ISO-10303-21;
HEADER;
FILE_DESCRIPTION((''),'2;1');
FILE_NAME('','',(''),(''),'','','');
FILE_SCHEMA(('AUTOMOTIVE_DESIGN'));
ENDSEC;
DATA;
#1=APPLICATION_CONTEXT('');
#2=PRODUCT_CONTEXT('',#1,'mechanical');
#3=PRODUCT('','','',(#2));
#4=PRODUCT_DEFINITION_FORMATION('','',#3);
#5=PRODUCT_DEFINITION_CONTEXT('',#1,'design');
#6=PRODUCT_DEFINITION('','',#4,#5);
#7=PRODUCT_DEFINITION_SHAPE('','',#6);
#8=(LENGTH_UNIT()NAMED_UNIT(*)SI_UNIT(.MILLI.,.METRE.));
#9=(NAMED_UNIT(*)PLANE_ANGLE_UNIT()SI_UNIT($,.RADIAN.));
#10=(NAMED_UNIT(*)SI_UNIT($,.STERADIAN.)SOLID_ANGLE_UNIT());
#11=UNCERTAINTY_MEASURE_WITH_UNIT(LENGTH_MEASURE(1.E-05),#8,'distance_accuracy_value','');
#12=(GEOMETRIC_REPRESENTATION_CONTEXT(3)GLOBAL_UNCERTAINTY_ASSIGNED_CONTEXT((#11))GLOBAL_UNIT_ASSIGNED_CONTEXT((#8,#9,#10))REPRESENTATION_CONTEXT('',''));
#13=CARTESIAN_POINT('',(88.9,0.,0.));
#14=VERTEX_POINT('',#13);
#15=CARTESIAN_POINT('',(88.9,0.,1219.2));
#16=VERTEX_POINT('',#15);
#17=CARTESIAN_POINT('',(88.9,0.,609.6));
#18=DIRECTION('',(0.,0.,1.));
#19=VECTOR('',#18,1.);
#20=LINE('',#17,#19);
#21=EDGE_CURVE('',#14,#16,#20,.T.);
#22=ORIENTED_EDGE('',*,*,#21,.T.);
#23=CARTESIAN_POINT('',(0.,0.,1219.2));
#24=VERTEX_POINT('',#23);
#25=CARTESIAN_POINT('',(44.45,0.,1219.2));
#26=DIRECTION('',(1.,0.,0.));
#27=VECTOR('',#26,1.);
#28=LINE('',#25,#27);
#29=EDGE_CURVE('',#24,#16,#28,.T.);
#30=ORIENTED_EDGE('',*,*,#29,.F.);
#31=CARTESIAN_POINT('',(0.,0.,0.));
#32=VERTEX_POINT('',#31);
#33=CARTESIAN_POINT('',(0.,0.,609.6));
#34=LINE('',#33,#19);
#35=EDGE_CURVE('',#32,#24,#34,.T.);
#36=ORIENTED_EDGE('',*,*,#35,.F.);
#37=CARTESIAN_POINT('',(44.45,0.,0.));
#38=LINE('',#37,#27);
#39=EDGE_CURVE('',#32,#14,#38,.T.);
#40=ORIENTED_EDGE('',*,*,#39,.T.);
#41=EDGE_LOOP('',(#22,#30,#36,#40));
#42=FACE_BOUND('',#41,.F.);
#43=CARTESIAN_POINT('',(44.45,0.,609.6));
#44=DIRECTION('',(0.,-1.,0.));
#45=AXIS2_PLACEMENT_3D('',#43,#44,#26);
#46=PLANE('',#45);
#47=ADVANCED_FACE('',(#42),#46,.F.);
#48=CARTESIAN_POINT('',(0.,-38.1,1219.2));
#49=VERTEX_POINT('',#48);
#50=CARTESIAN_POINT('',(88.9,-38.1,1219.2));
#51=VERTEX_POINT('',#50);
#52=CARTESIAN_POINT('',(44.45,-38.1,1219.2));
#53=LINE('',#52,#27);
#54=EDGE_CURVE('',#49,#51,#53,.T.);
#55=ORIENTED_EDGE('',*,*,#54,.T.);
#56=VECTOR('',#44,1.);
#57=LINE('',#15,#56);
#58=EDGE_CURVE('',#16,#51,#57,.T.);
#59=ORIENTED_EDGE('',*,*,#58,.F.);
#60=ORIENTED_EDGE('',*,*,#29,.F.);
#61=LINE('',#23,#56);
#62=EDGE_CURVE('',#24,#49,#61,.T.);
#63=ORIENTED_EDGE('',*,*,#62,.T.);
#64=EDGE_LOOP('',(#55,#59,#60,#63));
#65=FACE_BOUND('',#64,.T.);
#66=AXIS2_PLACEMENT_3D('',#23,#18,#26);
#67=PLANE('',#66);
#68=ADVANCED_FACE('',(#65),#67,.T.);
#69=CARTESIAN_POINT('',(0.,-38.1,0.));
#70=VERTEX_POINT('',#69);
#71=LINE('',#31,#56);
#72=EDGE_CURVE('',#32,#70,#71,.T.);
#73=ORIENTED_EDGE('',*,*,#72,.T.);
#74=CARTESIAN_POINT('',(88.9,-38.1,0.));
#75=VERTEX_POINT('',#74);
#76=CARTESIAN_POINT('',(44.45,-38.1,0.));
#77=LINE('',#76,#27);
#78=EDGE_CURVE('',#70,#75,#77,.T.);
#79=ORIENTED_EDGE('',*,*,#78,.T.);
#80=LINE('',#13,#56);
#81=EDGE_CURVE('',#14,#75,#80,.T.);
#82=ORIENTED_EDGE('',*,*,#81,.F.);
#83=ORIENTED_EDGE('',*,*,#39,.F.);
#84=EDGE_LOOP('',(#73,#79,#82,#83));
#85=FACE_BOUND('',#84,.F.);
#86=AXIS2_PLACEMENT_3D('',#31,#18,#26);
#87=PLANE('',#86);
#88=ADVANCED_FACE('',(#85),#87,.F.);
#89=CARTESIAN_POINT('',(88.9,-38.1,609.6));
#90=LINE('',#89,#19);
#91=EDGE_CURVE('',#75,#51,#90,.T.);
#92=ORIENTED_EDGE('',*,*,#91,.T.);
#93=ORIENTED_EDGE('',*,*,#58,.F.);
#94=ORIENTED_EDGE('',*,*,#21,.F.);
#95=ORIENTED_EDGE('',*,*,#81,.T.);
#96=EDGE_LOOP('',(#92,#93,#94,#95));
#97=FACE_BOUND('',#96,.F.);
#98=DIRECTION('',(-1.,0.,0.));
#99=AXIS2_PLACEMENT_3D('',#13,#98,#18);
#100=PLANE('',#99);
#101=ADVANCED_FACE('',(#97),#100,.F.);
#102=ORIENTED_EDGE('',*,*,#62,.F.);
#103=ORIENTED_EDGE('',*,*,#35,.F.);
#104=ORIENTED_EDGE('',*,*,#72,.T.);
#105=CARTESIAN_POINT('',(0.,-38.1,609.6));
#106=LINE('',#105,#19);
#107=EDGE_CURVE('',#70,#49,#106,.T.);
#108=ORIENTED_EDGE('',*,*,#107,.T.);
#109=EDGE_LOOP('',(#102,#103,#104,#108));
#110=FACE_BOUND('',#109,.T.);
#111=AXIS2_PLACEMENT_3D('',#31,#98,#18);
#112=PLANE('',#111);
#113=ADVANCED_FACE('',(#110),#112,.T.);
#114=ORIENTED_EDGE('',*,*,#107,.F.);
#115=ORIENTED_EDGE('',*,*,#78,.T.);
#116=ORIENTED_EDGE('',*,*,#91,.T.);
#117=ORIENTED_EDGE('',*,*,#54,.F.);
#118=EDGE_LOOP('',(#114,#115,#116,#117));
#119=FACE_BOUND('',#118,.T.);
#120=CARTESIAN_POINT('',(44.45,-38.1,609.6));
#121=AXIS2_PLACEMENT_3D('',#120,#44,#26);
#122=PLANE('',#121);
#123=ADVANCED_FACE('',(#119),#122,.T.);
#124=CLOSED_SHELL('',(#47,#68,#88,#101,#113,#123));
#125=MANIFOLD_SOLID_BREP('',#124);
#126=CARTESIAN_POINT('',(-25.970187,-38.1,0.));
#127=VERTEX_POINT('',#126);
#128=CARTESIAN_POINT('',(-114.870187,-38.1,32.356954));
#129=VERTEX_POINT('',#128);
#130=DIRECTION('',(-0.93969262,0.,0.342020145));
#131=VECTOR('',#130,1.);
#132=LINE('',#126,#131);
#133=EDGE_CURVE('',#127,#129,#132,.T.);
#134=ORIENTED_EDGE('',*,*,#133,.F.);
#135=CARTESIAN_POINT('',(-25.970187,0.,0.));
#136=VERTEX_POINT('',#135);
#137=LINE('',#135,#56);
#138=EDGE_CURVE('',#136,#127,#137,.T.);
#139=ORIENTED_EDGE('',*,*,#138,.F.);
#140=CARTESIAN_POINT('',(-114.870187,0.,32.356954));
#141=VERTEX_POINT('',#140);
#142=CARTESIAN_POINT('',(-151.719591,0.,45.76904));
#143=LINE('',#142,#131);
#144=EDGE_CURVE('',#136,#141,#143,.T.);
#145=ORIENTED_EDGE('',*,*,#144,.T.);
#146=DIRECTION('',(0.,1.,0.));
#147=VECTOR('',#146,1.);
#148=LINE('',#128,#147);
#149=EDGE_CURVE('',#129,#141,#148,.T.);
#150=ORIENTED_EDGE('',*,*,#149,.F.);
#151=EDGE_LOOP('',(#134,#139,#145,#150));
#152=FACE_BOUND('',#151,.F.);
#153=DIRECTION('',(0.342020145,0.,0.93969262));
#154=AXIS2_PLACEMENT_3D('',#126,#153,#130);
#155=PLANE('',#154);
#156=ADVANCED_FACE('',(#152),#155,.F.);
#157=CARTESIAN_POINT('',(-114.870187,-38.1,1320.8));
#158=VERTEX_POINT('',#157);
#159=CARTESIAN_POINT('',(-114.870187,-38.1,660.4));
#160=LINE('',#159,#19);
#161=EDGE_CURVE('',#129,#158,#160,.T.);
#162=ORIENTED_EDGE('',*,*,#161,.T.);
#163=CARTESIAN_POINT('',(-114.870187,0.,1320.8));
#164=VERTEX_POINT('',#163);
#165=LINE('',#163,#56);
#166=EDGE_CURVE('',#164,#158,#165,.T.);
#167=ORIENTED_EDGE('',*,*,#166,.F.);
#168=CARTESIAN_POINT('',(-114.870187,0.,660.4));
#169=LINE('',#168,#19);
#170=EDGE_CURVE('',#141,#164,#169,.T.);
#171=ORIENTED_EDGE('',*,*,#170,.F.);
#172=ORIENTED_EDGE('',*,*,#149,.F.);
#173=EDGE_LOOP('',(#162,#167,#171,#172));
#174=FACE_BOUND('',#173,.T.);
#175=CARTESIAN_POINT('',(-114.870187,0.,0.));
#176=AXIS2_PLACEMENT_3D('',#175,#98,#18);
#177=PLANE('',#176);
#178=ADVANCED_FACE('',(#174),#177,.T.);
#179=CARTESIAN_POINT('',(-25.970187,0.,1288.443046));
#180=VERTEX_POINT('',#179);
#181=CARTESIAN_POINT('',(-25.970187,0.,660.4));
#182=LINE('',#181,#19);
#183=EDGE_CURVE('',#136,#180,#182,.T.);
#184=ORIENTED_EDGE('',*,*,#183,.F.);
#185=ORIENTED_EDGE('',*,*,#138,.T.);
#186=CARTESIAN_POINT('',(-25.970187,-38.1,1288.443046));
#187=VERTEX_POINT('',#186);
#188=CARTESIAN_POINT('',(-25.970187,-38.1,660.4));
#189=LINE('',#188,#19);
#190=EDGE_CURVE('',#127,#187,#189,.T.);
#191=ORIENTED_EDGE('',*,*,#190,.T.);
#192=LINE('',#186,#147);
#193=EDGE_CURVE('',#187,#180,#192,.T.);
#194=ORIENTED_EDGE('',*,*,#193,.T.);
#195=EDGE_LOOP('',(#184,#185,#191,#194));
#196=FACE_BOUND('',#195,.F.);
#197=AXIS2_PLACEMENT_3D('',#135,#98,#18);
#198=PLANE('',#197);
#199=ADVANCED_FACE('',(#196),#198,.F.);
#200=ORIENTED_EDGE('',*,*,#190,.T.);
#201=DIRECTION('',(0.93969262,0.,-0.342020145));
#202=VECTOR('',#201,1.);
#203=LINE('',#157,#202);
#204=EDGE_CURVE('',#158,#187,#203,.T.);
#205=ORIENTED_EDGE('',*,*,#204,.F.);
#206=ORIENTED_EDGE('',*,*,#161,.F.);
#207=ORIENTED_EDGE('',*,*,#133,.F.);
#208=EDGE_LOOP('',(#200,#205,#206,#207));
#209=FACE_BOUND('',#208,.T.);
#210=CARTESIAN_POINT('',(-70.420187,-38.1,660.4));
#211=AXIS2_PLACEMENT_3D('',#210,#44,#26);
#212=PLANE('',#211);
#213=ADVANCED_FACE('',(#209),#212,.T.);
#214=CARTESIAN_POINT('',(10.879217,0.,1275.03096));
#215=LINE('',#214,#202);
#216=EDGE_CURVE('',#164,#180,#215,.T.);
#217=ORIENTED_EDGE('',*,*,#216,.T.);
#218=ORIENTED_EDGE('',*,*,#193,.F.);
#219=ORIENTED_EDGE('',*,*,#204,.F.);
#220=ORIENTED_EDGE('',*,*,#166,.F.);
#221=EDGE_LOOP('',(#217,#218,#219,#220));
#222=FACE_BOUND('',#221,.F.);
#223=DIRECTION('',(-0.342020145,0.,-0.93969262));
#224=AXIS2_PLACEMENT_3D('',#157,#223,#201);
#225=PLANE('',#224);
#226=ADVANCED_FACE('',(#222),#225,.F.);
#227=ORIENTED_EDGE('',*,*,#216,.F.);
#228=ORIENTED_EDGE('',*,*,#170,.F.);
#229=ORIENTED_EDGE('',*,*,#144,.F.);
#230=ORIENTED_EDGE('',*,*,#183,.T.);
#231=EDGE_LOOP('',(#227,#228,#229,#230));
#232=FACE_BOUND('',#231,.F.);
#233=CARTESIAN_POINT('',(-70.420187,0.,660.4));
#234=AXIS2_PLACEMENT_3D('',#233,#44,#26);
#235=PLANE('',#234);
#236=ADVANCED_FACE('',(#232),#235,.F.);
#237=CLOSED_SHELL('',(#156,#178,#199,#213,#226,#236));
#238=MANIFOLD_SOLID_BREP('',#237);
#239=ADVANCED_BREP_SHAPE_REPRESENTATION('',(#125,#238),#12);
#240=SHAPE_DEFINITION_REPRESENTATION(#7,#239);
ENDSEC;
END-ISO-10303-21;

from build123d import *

# Parameters (mm, degrees)
F0_W     = 88.9
F0_H     = 1219.2
F1_DEPTH = 38.1
F2_W     = 88.9
F2_H     = 1320.8
F3_DEPTH = 38.1
F5_DEPTH = 38.101


with BuildPart() as f1:
    # F0 (on Front) → F1 (new body)
    with BuildSketch(Plane.XZ):
        with Locations((44.45, 609.6)):
            Rectangle(F0_W, F0_H)
    extrude(amount=F1_DEPTH)


with BuildPart() as f3:
    # F2 (on Front) → F3 (new body)
    with BuildSketch(Plane.XZ):
        with Locations((-70.420187, 660.4)):
            Rectangle(F2_W, F2_H)
    extrude(amount=F3_DEPTH)

    # F4 (on face) → F5 (cut, through all)
    with BuildSketch(Plane.XZ.offset(38.1)):
        Polygon((-114.870187, 0), (-25.970187, 0), (-114.870187, 32.356954), align=None)
        Polygon((-25.970187, 1320.8), (-114.870187, 1320.8), (-25.970187, 1288.443046), align=None)
    extrude(amount=-F5_DEPTH, mode=Mode.SUBTRACT)


solid = Compound([f1.part, f3.part])
